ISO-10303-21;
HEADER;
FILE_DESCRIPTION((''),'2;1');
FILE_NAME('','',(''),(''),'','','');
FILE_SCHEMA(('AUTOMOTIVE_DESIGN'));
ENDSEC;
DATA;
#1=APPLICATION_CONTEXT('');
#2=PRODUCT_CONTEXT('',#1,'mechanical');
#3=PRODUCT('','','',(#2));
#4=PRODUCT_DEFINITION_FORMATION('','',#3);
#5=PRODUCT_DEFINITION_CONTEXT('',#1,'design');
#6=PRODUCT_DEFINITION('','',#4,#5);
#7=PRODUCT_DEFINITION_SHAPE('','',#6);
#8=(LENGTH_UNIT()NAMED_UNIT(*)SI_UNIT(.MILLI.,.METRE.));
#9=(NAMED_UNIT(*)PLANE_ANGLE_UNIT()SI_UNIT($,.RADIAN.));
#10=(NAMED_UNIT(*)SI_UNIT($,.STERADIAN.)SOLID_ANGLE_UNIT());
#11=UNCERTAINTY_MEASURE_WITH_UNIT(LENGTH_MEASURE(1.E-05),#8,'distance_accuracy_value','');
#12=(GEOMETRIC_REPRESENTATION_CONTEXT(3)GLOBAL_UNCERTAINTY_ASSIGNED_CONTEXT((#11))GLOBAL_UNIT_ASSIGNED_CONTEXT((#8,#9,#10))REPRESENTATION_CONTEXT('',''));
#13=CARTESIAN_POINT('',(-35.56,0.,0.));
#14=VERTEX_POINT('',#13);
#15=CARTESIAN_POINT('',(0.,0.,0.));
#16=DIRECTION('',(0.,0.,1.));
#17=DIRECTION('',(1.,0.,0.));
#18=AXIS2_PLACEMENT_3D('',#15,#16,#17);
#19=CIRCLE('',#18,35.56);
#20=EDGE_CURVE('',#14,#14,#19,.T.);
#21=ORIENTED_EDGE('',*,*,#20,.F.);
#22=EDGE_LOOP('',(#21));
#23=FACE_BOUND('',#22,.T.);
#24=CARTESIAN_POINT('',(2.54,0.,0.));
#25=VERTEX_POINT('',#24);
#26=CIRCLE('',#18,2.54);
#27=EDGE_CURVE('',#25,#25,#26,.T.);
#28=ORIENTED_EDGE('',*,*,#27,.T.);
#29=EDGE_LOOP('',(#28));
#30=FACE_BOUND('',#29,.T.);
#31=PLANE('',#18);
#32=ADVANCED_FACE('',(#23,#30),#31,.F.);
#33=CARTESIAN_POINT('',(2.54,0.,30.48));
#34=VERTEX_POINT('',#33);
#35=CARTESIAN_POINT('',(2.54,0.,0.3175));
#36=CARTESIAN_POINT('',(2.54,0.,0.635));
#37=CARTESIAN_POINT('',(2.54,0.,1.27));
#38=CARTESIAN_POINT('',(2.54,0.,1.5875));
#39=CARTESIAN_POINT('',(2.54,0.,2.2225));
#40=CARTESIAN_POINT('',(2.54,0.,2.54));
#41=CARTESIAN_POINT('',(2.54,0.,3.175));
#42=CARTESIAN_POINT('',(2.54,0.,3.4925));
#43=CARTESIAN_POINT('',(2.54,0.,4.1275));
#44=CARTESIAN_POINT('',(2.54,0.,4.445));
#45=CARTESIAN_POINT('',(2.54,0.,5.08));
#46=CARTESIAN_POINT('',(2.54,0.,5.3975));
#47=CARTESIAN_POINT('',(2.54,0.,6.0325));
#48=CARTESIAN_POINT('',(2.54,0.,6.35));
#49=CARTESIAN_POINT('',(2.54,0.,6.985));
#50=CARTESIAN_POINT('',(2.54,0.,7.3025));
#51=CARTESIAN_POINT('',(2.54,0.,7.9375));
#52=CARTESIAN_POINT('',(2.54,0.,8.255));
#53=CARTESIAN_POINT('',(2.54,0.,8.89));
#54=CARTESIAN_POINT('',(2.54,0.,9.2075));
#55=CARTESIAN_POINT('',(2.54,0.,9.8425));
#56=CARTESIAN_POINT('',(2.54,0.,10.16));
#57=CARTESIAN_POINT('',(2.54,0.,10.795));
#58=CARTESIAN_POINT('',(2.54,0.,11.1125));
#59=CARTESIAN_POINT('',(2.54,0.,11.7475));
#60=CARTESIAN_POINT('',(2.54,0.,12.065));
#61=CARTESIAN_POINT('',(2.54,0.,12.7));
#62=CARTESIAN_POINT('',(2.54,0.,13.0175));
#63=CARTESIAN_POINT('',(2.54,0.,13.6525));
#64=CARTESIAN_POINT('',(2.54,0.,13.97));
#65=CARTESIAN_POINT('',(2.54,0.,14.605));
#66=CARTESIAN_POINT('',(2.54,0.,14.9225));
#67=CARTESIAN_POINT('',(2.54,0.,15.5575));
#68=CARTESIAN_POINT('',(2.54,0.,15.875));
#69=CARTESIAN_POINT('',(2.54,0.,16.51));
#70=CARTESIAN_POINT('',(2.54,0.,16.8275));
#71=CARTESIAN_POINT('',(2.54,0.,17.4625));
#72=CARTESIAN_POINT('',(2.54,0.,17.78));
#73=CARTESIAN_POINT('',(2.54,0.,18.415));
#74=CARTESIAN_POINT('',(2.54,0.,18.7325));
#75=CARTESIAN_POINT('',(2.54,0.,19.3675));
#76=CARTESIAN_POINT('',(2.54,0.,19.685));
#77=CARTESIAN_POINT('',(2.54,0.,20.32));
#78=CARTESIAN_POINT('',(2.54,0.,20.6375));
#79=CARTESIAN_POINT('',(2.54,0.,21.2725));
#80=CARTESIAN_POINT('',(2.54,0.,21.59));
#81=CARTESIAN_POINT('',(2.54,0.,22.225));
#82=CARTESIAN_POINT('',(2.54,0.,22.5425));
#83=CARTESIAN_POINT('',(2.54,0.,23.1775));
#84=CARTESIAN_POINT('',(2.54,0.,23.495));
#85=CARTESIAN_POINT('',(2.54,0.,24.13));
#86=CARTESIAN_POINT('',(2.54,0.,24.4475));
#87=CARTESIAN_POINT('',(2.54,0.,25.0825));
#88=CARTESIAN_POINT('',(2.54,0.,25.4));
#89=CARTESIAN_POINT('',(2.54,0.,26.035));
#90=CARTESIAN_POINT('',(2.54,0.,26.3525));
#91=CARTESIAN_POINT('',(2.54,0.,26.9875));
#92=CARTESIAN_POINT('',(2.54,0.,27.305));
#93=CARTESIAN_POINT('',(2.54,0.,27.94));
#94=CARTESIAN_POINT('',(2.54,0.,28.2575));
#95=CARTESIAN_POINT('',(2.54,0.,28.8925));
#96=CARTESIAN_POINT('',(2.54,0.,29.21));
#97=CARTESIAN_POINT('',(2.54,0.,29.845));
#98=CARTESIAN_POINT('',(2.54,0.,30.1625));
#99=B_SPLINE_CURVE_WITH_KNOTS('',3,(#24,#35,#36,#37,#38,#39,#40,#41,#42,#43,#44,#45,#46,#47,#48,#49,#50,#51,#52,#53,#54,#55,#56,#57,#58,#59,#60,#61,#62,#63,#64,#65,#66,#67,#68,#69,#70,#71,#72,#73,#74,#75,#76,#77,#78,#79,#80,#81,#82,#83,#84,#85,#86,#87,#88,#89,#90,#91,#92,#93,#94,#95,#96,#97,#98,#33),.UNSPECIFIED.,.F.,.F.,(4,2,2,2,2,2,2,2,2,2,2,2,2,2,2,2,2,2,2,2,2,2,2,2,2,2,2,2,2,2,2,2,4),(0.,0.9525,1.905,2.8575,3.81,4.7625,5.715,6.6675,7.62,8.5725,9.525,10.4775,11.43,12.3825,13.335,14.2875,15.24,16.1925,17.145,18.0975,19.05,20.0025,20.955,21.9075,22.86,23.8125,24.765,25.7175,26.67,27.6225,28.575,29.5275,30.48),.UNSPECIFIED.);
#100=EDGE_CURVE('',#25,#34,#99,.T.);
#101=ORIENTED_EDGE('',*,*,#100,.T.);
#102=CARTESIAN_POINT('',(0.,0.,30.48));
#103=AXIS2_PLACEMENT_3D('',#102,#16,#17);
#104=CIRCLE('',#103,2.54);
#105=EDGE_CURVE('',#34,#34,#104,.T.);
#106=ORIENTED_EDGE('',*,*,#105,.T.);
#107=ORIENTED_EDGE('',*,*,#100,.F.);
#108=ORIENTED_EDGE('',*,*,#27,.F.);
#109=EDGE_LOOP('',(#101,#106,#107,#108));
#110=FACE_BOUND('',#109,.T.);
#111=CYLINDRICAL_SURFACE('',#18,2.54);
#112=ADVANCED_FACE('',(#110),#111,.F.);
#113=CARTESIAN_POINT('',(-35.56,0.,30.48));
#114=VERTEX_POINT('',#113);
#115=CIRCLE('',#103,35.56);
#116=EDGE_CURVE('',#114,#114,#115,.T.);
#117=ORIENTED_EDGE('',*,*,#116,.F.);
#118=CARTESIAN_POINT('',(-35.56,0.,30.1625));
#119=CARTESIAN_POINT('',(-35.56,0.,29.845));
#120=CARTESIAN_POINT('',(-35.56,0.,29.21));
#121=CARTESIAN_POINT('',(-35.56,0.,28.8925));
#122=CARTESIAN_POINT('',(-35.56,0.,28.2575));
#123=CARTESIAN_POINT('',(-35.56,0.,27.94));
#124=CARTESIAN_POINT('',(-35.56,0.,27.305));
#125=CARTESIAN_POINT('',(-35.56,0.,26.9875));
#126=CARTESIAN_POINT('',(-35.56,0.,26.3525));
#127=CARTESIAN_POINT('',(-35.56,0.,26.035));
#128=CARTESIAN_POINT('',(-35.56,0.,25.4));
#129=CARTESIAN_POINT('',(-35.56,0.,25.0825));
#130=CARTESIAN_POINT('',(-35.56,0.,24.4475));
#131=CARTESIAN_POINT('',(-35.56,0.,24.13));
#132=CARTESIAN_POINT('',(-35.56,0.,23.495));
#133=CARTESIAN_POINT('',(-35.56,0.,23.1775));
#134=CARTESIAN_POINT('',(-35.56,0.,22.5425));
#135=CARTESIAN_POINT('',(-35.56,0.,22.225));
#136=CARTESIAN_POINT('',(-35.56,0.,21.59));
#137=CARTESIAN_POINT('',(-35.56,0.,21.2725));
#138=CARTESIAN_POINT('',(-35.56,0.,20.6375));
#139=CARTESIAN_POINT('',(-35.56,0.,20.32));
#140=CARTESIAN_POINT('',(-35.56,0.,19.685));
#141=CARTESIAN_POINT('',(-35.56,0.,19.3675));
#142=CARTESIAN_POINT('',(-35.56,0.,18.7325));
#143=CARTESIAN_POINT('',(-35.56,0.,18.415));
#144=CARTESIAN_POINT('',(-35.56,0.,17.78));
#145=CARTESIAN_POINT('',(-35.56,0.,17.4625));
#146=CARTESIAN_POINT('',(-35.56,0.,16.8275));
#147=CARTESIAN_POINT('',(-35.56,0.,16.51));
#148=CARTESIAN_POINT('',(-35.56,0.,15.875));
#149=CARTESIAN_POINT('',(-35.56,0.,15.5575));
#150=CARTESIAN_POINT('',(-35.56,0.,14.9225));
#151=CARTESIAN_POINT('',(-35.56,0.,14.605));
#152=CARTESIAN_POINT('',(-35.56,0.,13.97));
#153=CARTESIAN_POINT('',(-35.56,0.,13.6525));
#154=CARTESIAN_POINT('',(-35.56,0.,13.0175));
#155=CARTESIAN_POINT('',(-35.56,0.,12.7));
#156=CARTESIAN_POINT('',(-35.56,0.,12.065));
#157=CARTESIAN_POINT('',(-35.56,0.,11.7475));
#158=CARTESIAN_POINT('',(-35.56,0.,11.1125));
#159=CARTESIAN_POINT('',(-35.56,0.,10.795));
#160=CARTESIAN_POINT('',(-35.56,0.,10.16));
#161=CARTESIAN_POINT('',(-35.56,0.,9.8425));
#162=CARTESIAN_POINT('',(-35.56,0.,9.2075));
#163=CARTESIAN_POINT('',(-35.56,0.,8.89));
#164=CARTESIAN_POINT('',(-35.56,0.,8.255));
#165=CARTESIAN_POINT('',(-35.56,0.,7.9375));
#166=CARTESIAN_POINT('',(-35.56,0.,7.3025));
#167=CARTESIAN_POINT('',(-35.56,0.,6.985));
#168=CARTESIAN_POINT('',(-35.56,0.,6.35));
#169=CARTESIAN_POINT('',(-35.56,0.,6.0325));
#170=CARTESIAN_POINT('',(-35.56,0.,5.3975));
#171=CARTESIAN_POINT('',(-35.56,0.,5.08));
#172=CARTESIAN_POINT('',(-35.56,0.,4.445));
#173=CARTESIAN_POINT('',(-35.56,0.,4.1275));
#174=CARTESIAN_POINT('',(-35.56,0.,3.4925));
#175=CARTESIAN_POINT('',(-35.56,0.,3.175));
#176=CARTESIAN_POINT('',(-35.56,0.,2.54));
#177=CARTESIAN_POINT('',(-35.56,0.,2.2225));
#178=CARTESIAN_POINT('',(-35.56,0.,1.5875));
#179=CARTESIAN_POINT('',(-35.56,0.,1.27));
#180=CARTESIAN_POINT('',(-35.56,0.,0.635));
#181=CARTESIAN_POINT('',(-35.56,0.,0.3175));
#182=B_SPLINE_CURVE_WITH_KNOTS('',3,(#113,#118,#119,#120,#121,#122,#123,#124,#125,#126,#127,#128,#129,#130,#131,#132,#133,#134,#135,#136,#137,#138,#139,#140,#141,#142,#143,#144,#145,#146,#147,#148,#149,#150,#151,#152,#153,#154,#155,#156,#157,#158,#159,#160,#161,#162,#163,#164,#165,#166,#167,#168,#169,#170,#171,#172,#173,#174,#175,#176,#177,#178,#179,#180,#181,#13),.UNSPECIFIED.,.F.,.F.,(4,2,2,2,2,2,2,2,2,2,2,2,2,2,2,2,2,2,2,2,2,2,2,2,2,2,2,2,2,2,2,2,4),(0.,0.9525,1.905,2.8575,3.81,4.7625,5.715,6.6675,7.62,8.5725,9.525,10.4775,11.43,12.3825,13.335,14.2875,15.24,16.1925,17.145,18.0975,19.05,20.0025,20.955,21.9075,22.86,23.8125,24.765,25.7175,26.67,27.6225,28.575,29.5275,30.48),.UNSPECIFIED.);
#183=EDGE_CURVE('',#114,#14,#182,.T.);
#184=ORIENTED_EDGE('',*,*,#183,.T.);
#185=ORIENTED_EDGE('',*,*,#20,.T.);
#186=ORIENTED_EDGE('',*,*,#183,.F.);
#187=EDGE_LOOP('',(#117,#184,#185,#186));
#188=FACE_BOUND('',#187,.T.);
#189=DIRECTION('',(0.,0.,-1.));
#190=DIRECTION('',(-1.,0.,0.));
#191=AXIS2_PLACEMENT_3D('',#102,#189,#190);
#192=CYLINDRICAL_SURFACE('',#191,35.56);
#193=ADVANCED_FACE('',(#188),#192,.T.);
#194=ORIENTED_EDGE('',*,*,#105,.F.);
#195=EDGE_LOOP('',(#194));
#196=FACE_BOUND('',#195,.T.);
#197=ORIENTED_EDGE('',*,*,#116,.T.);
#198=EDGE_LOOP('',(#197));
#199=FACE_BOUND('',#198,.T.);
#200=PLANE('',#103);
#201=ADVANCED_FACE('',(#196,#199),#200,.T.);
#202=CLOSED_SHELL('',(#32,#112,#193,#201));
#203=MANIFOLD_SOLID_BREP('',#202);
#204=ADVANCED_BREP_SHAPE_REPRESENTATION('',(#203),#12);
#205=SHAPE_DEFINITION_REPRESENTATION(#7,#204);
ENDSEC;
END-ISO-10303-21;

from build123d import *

# Parameters (mm, degrees)
SKETCH1_R           = 35.56
BOSS_EXTRUDE1_DEPTH = 30.48
SKETCH2_R           = 2.54
CUT_EXTRUDE1_DEPTH  = 30.48


with BuildPart() as part:
    # Sketch1 → Boss-Extrude1 (new body)
    with BuildSketch(Plane.XY):
        with Locations(Location((0, 0, 0), (0, 0, 180))):
            Circle(SKETCH1_R)
    extrude(amount=BOSS_EXTRUDE1_DEPTH)

    # Sketch2 → Cut-Extrude1 (cut)
    with BuildSketch(Plane.XY.offset(30.48)):
        Circle(SKETCH2_R)
    extrude(amount=-CUT_EXTRUDE1_DEPTH, mode=Mode.SUBTRACT)


solid = part.part
